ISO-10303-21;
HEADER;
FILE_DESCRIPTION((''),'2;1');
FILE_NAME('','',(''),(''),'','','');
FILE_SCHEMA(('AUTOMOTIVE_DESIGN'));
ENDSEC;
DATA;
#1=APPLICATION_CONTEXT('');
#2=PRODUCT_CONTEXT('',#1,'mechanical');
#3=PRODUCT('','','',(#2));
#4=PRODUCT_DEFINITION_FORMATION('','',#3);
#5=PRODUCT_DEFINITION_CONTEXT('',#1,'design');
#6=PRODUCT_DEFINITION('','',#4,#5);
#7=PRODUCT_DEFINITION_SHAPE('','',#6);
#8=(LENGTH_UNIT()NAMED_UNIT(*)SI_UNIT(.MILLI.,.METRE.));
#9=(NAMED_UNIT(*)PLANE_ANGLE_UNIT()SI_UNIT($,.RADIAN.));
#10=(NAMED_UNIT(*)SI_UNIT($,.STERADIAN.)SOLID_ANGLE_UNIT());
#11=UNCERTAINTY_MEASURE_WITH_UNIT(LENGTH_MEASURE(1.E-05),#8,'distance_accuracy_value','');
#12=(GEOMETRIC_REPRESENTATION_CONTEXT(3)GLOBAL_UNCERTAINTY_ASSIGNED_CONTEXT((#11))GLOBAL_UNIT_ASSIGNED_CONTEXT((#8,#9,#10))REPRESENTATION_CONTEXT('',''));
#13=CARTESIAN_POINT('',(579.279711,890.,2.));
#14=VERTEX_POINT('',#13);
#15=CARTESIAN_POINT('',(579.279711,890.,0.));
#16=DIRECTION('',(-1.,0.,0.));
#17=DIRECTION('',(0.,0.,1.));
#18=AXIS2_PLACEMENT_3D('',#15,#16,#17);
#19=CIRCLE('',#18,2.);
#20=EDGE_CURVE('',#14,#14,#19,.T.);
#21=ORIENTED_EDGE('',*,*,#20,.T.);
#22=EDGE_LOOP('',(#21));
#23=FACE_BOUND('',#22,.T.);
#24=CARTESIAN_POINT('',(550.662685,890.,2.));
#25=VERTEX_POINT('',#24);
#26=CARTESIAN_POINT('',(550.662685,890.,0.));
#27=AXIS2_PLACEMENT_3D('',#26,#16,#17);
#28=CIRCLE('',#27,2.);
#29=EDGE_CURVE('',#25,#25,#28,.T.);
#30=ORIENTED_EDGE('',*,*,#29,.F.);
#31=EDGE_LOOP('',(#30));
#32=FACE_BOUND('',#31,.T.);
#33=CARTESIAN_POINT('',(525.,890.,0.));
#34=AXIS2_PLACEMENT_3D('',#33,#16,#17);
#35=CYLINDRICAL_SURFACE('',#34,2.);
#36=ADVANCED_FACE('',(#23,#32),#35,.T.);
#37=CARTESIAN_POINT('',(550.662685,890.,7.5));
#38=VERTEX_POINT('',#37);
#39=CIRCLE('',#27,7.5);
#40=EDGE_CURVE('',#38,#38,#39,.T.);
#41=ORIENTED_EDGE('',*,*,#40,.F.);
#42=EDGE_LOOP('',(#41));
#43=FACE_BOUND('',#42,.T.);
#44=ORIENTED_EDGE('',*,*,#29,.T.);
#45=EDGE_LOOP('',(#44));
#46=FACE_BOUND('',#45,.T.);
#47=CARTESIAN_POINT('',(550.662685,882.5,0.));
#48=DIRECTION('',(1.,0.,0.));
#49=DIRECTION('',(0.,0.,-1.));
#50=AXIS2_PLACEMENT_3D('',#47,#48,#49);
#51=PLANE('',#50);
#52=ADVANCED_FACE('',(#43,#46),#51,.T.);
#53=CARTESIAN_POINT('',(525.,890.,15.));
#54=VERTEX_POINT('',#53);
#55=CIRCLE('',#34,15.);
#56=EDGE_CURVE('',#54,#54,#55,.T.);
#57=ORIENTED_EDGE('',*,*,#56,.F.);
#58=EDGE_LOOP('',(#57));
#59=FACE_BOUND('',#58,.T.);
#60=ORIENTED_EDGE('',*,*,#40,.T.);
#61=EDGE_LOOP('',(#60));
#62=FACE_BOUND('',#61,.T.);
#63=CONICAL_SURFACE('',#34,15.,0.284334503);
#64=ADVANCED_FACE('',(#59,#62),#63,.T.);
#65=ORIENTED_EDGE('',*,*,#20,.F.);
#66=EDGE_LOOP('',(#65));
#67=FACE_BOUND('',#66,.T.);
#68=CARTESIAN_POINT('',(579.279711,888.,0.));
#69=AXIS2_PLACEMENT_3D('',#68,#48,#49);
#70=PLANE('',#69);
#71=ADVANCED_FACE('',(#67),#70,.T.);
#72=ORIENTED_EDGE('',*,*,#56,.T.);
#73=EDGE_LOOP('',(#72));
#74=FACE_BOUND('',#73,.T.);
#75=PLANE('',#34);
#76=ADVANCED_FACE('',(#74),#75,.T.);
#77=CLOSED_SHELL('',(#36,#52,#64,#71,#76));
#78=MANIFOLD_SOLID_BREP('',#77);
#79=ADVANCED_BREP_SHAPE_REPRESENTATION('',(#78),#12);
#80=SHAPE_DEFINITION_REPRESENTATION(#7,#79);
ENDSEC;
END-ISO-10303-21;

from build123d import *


with BuildPart() as part:
    # 草图1 → 旋转1 (revolve)
    with BuildSketch(Plane.XY, mode=Mode.PRIVATE) as revolve_1_sk:
        Polygon((525, 890), (525, 875), (550.662685476, 882.5), (550.662685476, 888), (579.279710513, 888), (579.279710513, 890), align=None)
    revolve(revolve_1_sk.sketch.rotate(Axis((525, 890, 0), (1, 0, 0)), 270), axis=Axis((525, 890, 0), (1, 0, 0)))


solid = part.part
